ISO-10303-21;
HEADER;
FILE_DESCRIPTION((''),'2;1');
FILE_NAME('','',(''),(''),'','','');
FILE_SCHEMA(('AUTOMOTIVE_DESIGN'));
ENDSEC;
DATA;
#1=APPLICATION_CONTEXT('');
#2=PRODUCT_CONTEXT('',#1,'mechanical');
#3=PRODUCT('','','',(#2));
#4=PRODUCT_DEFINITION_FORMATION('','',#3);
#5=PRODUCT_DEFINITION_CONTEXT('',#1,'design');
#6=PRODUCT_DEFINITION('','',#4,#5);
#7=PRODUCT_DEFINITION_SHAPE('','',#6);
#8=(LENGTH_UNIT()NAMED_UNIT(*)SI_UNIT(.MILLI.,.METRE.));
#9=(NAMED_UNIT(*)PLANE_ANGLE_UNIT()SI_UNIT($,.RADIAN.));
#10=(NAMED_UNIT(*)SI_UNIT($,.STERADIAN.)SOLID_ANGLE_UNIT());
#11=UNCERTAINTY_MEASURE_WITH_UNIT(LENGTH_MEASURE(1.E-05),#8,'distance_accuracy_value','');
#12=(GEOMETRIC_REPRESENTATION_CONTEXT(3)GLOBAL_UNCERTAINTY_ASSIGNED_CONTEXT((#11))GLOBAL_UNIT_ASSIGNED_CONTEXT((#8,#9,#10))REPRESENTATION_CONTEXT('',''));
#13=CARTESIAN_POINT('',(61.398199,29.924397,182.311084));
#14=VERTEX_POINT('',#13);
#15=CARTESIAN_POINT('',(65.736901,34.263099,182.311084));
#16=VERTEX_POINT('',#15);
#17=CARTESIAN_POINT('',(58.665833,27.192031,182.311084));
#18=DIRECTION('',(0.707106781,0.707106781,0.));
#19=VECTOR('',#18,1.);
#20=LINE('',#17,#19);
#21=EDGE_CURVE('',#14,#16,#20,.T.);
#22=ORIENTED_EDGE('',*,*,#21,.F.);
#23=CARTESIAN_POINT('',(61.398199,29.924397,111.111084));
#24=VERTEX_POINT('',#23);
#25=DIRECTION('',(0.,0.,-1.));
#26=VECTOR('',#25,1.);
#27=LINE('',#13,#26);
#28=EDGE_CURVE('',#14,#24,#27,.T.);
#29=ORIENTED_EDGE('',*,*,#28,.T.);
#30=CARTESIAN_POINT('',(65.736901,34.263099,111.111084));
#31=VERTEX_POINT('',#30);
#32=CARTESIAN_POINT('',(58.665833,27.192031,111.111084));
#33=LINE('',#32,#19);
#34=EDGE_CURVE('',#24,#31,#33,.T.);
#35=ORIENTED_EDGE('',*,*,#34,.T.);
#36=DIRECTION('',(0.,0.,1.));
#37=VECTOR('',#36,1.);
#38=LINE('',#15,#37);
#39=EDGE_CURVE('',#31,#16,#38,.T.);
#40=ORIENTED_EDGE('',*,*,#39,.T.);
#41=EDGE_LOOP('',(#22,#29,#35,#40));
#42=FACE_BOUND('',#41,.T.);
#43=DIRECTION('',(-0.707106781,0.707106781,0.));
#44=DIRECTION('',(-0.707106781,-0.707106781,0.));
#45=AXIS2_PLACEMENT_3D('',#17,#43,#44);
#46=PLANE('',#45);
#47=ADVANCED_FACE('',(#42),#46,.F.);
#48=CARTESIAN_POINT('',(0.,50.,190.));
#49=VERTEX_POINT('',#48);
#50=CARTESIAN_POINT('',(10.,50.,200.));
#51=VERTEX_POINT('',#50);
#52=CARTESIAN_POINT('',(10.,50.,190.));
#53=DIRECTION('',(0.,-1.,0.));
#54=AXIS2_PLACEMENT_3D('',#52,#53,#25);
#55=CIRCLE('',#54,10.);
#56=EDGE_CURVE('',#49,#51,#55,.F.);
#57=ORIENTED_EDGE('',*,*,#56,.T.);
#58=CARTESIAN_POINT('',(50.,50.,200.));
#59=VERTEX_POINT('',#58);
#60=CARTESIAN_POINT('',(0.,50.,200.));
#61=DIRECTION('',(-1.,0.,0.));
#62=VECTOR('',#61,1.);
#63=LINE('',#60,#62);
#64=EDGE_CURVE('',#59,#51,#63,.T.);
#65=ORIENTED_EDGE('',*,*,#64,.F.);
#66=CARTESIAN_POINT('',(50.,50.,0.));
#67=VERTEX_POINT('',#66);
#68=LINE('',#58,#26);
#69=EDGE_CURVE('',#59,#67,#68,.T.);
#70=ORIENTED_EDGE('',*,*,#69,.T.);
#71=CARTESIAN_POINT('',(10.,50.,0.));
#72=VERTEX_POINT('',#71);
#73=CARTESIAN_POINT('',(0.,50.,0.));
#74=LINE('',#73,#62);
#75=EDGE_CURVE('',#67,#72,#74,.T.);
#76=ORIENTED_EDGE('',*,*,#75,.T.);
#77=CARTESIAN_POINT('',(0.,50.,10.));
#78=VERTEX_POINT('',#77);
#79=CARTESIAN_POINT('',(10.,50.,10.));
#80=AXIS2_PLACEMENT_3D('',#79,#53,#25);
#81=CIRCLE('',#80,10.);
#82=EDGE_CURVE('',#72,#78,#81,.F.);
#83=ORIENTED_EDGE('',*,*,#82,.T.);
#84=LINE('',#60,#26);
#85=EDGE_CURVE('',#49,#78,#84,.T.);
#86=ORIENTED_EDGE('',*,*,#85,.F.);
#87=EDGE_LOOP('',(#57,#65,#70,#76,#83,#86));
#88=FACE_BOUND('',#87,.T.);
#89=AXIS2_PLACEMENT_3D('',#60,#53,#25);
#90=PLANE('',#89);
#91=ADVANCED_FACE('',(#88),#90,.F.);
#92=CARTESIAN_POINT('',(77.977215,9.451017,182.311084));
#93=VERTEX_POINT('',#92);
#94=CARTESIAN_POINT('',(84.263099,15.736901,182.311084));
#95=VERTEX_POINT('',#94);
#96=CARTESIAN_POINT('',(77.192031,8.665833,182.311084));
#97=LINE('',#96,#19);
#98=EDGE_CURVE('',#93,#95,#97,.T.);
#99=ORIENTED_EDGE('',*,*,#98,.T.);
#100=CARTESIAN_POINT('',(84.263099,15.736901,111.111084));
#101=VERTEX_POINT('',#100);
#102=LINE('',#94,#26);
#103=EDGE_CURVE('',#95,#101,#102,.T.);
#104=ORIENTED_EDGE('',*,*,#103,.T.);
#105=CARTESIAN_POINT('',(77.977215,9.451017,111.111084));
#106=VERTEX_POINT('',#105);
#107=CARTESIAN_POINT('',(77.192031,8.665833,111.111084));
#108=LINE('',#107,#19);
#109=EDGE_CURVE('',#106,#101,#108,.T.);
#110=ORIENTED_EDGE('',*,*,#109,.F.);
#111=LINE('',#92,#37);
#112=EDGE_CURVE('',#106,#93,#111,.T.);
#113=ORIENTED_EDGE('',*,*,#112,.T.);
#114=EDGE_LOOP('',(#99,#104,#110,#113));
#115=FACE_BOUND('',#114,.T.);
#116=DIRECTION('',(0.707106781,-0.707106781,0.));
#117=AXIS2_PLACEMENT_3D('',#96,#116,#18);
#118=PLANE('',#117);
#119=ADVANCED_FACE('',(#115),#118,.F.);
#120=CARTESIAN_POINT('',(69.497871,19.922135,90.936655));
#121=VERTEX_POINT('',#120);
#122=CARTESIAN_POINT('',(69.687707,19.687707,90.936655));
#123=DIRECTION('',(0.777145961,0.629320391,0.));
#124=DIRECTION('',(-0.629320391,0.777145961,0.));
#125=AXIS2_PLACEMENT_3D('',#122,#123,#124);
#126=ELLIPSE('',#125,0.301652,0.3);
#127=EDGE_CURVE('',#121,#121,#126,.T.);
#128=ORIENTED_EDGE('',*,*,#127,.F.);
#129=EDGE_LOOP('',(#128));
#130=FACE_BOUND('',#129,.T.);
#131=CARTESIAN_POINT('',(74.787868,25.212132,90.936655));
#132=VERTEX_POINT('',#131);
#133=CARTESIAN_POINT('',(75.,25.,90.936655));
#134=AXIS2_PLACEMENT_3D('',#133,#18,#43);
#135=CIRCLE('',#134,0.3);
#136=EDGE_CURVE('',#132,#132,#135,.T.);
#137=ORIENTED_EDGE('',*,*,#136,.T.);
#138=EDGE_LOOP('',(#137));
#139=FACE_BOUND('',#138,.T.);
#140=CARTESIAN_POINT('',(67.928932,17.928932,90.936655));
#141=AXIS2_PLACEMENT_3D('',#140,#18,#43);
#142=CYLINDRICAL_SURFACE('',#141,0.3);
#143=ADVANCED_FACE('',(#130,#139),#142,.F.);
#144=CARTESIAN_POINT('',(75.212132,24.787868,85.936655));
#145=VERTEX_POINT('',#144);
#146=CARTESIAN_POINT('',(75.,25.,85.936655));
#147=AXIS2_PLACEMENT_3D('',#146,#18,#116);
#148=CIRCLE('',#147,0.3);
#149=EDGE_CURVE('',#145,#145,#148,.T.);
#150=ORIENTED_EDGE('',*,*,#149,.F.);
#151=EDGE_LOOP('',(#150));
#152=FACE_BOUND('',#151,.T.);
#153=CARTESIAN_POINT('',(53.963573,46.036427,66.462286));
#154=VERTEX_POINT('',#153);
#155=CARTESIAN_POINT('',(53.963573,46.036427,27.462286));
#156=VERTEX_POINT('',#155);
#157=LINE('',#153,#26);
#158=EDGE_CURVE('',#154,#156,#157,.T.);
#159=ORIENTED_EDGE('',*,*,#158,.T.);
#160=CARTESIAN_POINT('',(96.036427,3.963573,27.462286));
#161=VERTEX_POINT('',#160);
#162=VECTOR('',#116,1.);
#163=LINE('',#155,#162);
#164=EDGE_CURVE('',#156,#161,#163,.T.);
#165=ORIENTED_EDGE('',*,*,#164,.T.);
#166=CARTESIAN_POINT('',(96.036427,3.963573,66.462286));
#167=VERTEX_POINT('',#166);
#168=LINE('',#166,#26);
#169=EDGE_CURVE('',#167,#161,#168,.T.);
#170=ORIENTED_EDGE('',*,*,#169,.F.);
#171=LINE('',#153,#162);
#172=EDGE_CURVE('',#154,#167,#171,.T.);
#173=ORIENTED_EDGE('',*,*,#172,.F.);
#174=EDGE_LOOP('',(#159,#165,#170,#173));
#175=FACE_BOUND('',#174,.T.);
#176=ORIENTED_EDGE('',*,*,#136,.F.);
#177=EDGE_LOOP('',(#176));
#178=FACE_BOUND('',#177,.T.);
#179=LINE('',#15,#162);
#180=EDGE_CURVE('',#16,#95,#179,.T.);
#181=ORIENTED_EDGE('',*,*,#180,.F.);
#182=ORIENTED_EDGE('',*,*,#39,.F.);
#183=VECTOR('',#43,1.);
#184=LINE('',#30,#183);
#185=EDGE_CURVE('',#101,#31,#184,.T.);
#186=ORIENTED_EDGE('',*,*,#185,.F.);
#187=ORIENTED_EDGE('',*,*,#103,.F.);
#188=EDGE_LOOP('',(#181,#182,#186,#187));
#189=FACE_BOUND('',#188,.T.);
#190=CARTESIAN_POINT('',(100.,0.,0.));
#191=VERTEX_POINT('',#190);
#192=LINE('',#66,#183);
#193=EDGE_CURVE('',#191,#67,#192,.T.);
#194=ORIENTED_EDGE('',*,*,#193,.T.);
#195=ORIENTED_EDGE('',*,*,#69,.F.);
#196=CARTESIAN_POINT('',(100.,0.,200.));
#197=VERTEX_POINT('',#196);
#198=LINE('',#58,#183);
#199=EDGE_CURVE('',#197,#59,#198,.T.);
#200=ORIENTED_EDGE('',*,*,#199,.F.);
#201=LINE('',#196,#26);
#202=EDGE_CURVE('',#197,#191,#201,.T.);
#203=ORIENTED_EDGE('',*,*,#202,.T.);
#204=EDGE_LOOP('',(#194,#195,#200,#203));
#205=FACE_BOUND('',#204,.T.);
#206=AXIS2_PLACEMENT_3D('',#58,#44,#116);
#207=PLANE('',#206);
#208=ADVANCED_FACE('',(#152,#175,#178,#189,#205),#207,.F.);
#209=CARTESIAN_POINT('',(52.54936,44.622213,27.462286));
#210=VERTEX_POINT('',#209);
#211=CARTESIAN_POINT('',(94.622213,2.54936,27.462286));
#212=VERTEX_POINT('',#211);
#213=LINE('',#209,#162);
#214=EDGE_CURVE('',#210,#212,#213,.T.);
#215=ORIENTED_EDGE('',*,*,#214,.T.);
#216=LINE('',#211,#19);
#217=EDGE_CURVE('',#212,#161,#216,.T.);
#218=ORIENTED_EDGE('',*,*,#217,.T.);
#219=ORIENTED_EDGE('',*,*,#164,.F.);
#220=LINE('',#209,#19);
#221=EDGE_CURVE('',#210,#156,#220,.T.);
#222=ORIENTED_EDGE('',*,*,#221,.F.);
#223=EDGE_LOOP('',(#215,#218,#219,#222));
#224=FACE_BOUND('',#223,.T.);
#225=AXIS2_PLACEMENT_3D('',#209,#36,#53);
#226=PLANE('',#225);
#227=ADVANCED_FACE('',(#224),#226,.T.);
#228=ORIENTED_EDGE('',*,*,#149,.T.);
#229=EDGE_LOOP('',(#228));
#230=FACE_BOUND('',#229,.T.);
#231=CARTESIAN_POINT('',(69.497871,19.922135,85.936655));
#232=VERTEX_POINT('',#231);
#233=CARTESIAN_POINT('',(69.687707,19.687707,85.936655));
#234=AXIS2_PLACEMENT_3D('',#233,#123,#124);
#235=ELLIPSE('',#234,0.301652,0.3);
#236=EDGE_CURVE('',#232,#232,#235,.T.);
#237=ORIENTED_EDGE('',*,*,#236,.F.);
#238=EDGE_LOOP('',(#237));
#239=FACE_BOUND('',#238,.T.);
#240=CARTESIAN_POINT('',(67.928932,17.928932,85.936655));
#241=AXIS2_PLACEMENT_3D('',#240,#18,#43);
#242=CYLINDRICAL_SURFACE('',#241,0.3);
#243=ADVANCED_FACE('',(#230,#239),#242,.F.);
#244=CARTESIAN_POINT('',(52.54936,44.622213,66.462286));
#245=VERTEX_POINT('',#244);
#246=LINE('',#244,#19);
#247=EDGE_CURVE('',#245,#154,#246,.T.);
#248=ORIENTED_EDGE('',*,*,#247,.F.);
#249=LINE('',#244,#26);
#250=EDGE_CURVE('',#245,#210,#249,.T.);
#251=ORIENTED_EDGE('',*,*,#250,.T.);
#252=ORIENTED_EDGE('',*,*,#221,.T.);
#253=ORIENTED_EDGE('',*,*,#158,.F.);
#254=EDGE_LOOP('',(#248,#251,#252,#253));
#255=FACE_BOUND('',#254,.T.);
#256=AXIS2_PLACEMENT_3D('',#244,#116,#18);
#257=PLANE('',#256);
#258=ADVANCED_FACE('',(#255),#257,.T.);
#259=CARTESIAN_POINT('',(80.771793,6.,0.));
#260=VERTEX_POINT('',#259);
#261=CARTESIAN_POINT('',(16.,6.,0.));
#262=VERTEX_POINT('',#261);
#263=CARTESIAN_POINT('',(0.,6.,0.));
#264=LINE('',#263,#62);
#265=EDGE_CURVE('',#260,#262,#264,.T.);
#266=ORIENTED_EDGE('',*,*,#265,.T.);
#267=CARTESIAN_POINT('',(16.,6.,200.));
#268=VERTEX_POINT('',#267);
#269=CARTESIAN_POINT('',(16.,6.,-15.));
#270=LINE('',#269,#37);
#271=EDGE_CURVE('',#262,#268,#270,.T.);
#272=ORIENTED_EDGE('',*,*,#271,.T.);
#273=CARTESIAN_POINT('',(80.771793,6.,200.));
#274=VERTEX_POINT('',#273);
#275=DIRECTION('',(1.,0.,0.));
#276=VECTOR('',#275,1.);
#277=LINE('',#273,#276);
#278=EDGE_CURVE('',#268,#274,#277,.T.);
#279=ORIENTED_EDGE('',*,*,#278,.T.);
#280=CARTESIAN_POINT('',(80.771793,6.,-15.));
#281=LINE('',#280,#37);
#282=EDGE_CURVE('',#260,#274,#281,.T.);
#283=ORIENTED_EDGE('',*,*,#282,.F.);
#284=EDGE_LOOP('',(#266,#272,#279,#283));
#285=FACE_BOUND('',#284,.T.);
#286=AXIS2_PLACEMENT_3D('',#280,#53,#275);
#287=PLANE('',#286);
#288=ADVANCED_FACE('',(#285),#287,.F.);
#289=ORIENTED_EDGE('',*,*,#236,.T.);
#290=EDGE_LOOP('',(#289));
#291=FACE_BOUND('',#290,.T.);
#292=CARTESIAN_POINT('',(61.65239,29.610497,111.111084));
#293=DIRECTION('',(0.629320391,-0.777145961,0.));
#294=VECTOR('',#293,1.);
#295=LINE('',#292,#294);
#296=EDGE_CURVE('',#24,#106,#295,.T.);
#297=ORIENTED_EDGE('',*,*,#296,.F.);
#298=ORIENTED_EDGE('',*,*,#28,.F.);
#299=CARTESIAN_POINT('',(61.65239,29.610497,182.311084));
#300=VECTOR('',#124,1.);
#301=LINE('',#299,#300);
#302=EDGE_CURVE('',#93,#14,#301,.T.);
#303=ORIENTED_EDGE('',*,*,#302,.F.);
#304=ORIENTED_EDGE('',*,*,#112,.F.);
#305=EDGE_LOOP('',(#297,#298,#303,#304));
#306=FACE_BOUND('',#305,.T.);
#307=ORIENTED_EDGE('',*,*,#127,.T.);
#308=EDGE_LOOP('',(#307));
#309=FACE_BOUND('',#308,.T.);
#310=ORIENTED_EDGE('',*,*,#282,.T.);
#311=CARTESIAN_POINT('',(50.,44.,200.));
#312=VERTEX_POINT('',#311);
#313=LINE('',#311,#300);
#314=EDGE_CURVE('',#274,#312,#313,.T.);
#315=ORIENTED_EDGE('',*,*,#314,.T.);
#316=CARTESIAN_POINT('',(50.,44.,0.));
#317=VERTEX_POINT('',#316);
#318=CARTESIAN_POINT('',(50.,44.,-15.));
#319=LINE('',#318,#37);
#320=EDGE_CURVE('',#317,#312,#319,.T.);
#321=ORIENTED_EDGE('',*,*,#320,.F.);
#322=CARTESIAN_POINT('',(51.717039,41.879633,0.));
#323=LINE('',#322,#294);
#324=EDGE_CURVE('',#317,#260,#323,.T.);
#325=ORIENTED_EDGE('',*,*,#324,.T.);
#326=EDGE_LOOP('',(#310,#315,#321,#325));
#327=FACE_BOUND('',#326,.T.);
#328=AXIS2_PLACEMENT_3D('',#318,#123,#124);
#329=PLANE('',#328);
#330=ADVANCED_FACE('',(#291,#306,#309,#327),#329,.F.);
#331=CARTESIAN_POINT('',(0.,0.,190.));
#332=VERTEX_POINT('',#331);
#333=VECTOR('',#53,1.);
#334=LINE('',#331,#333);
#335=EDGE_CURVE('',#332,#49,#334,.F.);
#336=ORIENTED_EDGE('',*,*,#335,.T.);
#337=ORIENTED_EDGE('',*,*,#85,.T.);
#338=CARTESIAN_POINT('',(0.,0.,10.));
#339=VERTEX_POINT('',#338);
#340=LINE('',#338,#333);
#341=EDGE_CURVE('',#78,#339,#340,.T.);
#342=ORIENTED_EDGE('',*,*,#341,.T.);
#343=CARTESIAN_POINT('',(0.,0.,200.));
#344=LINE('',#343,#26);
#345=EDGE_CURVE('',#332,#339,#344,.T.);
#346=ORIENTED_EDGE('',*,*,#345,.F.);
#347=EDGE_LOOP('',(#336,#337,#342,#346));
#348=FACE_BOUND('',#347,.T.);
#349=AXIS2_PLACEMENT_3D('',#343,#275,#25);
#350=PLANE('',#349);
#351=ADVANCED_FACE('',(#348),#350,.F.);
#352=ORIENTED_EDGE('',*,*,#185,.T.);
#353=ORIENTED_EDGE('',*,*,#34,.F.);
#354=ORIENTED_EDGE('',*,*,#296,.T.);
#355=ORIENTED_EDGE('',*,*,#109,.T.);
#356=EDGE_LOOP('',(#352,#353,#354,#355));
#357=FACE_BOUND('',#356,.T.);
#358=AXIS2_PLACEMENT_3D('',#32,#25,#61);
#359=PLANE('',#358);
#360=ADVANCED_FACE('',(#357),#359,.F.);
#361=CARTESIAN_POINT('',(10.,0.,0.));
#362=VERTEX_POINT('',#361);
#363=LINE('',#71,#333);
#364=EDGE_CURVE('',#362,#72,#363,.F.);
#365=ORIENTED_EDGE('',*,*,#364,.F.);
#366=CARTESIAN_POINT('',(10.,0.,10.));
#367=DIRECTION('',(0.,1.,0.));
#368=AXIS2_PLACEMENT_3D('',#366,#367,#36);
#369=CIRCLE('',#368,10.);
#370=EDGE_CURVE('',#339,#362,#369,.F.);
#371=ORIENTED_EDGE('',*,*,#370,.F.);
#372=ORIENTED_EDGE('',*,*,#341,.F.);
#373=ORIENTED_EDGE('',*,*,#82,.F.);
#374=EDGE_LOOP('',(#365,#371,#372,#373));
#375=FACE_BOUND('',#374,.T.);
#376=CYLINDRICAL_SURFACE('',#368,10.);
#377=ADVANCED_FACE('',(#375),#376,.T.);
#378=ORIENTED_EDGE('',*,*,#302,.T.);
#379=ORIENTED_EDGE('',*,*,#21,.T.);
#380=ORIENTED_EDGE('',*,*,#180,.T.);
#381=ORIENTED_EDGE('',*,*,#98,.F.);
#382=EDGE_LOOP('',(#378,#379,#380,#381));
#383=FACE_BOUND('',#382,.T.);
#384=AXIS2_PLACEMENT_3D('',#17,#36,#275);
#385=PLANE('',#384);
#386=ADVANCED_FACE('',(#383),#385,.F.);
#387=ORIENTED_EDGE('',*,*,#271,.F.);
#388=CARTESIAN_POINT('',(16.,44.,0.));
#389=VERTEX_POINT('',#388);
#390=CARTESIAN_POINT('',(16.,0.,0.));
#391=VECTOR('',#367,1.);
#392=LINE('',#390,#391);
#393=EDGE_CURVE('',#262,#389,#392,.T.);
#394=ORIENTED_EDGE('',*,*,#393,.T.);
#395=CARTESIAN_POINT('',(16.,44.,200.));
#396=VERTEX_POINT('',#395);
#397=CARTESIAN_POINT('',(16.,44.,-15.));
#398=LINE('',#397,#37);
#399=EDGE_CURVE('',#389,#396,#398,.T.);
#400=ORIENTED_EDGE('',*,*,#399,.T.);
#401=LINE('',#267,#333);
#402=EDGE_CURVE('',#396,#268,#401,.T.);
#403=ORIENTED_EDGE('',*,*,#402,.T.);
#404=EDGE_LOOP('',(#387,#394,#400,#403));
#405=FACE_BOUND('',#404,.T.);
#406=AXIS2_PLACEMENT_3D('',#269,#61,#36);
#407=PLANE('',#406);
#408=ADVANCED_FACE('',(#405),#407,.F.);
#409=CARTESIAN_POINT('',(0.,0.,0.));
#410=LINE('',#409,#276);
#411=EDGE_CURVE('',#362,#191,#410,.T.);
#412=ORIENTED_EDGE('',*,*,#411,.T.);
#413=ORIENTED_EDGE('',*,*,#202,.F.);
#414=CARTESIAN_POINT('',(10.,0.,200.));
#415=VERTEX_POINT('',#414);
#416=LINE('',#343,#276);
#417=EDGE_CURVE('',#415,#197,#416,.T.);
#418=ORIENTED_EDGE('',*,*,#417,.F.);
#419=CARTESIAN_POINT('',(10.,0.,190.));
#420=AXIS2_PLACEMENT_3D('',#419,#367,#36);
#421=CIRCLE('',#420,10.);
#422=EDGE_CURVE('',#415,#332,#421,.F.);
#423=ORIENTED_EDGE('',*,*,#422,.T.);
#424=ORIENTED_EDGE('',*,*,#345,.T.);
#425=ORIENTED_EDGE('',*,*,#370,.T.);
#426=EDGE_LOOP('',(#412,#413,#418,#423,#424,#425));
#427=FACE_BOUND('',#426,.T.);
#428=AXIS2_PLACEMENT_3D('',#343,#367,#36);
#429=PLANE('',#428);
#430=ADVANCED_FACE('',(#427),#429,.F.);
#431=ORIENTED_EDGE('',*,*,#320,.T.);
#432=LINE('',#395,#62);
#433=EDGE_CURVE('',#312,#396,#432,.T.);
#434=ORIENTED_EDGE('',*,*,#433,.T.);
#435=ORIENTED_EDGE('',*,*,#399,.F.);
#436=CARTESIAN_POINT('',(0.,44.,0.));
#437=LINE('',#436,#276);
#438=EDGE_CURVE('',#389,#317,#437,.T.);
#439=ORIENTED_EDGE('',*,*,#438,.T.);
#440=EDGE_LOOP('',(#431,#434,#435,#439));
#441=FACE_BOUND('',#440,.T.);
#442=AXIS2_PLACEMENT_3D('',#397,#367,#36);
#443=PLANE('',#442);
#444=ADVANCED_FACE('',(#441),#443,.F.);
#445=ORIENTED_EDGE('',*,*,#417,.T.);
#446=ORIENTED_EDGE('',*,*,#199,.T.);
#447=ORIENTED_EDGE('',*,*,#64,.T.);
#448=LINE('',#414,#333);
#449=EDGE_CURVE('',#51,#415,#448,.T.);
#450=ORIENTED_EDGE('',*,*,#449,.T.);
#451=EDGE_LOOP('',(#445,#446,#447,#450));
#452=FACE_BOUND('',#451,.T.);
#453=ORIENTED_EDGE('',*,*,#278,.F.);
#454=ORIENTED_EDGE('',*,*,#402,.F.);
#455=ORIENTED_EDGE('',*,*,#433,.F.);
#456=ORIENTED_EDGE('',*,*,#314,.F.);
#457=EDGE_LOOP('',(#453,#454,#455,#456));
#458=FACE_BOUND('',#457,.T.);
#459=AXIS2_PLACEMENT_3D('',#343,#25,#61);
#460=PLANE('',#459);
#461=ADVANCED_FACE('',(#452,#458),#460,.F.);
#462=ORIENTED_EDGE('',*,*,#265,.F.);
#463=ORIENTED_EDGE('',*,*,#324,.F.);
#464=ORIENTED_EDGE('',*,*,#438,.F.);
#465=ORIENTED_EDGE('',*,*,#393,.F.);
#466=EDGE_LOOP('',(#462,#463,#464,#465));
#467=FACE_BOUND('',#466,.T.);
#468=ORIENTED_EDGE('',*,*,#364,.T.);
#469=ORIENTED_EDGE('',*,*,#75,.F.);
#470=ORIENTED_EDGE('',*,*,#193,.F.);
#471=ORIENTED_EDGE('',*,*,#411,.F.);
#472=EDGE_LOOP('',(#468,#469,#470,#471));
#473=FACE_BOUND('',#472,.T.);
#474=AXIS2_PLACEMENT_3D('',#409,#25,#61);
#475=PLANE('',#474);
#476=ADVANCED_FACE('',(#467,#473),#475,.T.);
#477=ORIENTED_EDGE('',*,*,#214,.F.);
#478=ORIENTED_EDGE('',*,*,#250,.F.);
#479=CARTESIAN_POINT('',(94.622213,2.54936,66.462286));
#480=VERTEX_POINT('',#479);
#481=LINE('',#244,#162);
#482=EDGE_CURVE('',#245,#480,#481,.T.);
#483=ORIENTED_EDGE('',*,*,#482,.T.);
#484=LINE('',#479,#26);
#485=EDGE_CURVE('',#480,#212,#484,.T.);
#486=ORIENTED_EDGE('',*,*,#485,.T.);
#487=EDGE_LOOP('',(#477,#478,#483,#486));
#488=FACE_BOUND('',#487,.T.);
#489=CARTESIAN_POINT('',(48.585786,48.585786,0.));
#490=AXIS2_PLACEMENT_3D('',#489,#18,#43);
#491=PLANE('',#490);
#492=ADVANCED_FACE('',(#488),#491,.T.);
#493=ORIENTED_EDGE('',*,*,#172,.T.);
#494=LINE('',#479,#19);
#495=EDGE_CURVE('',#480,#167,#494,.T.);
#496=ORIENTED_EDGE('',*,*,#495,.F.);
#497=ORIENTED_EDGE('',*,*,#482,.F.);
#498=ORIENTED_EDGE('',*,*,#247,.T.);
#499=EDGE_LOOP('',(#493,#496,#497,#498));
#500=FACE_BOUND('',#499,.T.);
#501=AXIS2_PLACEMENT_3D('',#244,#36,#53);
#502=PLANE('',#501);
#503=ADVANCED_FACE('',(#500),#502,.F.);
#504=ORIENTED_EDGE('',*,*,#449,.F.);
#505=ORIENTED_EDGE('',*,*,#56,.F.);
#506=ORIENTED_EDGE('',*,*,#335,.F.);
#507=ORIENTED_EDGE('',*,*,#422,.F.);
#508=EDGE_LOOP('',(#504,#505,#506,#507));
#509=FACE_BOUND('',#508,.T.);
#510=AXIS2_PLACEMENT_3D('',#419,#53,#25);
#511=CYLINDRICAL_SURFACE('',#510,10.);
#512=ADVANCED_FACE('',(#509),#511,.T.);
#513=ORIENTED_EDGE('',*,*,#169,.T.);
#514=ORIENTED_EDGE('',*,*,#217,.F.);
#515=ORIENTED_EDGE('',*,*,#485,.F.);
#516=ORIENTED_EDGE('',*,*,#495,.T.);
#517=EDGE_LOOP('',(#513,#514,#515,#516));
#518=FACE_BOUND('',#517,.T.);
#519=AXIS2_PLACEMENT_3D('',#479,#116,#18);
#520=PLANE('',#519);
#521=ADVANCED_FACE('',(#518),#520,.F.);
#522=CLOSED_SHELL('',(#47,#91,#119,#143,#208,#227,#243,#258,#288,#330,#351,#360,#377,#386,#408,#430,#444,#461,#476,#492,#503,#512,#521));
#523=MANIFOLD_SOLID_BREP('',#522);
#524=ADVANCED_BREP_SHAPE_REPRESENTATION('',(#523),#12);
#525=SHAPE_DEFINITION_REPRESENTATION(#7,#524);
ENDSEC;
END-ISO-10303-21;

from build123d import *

# Parameters (mm, degrees)
BOSS_EXTRUDE1_DEPTH = 200
FILLET1_R           = 10
SKETCH2_W           = 39
SKETCH2_H           = 59.5
CUT_EXTRUDE1_DEPTH  = 2
SKETCH3_W           = 71.2
SKETCH3_H           = 26.2
CUT_EXTRUDE2_DEPTH  = 10
CUT_EXTRUDE4_DEPTH  = 215
SKETCH10_R          = 0.3
CUT_EXTRUDE5_DEPTH  = 10


with BuildPart() as part:
    # Sketch1 → Boss-Extrude1 (new body)
    with BuildSketch(Plane.XY):
        Polygon((0, 0), (100, 0), (50, 50), (0, 50), align=None)
    extrude(amount=BOSS_EXTRUDE1_DEPTH)

    # Fillet1
    fillet1_edges = [part.edges().sort_by_distance(p)[0] for p in [
        (0, 25, 200),
        (0, 25, 0),
    ]]
    fillet(fillet1_edges, radius=FILLET1_R)

    # Sketch2 → Cut-Extrude1 (cut)
    with BuildSketch(Plane(origin=(50, 50, 0), x_dir=(0, 0, -1), z_dir=(0.707106781, 0.707106781, 0))):
        with Locations((-46.962285567, -35.355339059)):
            Rectangle(SKETCH2_W, SKETCH2_H)
    extrude(amount=-CUT_EXTRUDE1_DEPTH, mode=Mode.SUBTRACT)

    # Sketch3 → Cut-Extrude2 (cut)
    with BuildSketch(Plane(origin=(50, 50, 0), x_dir=(0, 0, -1), z_dir=(0.707106781, 0.707106781, 0))):
        with Locations((-146.711084233, -35.355339059)):
            Rectangle(SKETCH3_W, SKETCH3_H)
    extrude(amount=-CUT_EXTRUDE2_DEPTH, mode=Mode.SUBTRACT)

    # Sketch6 → Cut-Extrude4 (cut)
    with BuildSketch(Plane.XY.offset(200)):
        Polygon((50, 44), (80.771793261, 6), (16, 6), (16, 44), align=None)
    extrude(amount=-CUT_EXTRUDE4_DEPTH, mode=Mode.SUBTRACT)

    # Sketch10 → Cut-Extrude5 (cut)
    with BuildSketch(Plane(origin=(50, 50, 0), x_dir=(0, 0, -1), z_dir=(0.707106781, 0.707106781, 0))):
        with Locations((-90.936655298, -35.355339059)):
            Circle(SKETCH10_R)
        with Locations((-85.936655298, -35.355339059)):
            Circle(SKETCH10_R)
    extrude(amount=-CUT_EXTRUDE5_DEPTH, mode=Mode.SUBTRACT)


solid = part.part
